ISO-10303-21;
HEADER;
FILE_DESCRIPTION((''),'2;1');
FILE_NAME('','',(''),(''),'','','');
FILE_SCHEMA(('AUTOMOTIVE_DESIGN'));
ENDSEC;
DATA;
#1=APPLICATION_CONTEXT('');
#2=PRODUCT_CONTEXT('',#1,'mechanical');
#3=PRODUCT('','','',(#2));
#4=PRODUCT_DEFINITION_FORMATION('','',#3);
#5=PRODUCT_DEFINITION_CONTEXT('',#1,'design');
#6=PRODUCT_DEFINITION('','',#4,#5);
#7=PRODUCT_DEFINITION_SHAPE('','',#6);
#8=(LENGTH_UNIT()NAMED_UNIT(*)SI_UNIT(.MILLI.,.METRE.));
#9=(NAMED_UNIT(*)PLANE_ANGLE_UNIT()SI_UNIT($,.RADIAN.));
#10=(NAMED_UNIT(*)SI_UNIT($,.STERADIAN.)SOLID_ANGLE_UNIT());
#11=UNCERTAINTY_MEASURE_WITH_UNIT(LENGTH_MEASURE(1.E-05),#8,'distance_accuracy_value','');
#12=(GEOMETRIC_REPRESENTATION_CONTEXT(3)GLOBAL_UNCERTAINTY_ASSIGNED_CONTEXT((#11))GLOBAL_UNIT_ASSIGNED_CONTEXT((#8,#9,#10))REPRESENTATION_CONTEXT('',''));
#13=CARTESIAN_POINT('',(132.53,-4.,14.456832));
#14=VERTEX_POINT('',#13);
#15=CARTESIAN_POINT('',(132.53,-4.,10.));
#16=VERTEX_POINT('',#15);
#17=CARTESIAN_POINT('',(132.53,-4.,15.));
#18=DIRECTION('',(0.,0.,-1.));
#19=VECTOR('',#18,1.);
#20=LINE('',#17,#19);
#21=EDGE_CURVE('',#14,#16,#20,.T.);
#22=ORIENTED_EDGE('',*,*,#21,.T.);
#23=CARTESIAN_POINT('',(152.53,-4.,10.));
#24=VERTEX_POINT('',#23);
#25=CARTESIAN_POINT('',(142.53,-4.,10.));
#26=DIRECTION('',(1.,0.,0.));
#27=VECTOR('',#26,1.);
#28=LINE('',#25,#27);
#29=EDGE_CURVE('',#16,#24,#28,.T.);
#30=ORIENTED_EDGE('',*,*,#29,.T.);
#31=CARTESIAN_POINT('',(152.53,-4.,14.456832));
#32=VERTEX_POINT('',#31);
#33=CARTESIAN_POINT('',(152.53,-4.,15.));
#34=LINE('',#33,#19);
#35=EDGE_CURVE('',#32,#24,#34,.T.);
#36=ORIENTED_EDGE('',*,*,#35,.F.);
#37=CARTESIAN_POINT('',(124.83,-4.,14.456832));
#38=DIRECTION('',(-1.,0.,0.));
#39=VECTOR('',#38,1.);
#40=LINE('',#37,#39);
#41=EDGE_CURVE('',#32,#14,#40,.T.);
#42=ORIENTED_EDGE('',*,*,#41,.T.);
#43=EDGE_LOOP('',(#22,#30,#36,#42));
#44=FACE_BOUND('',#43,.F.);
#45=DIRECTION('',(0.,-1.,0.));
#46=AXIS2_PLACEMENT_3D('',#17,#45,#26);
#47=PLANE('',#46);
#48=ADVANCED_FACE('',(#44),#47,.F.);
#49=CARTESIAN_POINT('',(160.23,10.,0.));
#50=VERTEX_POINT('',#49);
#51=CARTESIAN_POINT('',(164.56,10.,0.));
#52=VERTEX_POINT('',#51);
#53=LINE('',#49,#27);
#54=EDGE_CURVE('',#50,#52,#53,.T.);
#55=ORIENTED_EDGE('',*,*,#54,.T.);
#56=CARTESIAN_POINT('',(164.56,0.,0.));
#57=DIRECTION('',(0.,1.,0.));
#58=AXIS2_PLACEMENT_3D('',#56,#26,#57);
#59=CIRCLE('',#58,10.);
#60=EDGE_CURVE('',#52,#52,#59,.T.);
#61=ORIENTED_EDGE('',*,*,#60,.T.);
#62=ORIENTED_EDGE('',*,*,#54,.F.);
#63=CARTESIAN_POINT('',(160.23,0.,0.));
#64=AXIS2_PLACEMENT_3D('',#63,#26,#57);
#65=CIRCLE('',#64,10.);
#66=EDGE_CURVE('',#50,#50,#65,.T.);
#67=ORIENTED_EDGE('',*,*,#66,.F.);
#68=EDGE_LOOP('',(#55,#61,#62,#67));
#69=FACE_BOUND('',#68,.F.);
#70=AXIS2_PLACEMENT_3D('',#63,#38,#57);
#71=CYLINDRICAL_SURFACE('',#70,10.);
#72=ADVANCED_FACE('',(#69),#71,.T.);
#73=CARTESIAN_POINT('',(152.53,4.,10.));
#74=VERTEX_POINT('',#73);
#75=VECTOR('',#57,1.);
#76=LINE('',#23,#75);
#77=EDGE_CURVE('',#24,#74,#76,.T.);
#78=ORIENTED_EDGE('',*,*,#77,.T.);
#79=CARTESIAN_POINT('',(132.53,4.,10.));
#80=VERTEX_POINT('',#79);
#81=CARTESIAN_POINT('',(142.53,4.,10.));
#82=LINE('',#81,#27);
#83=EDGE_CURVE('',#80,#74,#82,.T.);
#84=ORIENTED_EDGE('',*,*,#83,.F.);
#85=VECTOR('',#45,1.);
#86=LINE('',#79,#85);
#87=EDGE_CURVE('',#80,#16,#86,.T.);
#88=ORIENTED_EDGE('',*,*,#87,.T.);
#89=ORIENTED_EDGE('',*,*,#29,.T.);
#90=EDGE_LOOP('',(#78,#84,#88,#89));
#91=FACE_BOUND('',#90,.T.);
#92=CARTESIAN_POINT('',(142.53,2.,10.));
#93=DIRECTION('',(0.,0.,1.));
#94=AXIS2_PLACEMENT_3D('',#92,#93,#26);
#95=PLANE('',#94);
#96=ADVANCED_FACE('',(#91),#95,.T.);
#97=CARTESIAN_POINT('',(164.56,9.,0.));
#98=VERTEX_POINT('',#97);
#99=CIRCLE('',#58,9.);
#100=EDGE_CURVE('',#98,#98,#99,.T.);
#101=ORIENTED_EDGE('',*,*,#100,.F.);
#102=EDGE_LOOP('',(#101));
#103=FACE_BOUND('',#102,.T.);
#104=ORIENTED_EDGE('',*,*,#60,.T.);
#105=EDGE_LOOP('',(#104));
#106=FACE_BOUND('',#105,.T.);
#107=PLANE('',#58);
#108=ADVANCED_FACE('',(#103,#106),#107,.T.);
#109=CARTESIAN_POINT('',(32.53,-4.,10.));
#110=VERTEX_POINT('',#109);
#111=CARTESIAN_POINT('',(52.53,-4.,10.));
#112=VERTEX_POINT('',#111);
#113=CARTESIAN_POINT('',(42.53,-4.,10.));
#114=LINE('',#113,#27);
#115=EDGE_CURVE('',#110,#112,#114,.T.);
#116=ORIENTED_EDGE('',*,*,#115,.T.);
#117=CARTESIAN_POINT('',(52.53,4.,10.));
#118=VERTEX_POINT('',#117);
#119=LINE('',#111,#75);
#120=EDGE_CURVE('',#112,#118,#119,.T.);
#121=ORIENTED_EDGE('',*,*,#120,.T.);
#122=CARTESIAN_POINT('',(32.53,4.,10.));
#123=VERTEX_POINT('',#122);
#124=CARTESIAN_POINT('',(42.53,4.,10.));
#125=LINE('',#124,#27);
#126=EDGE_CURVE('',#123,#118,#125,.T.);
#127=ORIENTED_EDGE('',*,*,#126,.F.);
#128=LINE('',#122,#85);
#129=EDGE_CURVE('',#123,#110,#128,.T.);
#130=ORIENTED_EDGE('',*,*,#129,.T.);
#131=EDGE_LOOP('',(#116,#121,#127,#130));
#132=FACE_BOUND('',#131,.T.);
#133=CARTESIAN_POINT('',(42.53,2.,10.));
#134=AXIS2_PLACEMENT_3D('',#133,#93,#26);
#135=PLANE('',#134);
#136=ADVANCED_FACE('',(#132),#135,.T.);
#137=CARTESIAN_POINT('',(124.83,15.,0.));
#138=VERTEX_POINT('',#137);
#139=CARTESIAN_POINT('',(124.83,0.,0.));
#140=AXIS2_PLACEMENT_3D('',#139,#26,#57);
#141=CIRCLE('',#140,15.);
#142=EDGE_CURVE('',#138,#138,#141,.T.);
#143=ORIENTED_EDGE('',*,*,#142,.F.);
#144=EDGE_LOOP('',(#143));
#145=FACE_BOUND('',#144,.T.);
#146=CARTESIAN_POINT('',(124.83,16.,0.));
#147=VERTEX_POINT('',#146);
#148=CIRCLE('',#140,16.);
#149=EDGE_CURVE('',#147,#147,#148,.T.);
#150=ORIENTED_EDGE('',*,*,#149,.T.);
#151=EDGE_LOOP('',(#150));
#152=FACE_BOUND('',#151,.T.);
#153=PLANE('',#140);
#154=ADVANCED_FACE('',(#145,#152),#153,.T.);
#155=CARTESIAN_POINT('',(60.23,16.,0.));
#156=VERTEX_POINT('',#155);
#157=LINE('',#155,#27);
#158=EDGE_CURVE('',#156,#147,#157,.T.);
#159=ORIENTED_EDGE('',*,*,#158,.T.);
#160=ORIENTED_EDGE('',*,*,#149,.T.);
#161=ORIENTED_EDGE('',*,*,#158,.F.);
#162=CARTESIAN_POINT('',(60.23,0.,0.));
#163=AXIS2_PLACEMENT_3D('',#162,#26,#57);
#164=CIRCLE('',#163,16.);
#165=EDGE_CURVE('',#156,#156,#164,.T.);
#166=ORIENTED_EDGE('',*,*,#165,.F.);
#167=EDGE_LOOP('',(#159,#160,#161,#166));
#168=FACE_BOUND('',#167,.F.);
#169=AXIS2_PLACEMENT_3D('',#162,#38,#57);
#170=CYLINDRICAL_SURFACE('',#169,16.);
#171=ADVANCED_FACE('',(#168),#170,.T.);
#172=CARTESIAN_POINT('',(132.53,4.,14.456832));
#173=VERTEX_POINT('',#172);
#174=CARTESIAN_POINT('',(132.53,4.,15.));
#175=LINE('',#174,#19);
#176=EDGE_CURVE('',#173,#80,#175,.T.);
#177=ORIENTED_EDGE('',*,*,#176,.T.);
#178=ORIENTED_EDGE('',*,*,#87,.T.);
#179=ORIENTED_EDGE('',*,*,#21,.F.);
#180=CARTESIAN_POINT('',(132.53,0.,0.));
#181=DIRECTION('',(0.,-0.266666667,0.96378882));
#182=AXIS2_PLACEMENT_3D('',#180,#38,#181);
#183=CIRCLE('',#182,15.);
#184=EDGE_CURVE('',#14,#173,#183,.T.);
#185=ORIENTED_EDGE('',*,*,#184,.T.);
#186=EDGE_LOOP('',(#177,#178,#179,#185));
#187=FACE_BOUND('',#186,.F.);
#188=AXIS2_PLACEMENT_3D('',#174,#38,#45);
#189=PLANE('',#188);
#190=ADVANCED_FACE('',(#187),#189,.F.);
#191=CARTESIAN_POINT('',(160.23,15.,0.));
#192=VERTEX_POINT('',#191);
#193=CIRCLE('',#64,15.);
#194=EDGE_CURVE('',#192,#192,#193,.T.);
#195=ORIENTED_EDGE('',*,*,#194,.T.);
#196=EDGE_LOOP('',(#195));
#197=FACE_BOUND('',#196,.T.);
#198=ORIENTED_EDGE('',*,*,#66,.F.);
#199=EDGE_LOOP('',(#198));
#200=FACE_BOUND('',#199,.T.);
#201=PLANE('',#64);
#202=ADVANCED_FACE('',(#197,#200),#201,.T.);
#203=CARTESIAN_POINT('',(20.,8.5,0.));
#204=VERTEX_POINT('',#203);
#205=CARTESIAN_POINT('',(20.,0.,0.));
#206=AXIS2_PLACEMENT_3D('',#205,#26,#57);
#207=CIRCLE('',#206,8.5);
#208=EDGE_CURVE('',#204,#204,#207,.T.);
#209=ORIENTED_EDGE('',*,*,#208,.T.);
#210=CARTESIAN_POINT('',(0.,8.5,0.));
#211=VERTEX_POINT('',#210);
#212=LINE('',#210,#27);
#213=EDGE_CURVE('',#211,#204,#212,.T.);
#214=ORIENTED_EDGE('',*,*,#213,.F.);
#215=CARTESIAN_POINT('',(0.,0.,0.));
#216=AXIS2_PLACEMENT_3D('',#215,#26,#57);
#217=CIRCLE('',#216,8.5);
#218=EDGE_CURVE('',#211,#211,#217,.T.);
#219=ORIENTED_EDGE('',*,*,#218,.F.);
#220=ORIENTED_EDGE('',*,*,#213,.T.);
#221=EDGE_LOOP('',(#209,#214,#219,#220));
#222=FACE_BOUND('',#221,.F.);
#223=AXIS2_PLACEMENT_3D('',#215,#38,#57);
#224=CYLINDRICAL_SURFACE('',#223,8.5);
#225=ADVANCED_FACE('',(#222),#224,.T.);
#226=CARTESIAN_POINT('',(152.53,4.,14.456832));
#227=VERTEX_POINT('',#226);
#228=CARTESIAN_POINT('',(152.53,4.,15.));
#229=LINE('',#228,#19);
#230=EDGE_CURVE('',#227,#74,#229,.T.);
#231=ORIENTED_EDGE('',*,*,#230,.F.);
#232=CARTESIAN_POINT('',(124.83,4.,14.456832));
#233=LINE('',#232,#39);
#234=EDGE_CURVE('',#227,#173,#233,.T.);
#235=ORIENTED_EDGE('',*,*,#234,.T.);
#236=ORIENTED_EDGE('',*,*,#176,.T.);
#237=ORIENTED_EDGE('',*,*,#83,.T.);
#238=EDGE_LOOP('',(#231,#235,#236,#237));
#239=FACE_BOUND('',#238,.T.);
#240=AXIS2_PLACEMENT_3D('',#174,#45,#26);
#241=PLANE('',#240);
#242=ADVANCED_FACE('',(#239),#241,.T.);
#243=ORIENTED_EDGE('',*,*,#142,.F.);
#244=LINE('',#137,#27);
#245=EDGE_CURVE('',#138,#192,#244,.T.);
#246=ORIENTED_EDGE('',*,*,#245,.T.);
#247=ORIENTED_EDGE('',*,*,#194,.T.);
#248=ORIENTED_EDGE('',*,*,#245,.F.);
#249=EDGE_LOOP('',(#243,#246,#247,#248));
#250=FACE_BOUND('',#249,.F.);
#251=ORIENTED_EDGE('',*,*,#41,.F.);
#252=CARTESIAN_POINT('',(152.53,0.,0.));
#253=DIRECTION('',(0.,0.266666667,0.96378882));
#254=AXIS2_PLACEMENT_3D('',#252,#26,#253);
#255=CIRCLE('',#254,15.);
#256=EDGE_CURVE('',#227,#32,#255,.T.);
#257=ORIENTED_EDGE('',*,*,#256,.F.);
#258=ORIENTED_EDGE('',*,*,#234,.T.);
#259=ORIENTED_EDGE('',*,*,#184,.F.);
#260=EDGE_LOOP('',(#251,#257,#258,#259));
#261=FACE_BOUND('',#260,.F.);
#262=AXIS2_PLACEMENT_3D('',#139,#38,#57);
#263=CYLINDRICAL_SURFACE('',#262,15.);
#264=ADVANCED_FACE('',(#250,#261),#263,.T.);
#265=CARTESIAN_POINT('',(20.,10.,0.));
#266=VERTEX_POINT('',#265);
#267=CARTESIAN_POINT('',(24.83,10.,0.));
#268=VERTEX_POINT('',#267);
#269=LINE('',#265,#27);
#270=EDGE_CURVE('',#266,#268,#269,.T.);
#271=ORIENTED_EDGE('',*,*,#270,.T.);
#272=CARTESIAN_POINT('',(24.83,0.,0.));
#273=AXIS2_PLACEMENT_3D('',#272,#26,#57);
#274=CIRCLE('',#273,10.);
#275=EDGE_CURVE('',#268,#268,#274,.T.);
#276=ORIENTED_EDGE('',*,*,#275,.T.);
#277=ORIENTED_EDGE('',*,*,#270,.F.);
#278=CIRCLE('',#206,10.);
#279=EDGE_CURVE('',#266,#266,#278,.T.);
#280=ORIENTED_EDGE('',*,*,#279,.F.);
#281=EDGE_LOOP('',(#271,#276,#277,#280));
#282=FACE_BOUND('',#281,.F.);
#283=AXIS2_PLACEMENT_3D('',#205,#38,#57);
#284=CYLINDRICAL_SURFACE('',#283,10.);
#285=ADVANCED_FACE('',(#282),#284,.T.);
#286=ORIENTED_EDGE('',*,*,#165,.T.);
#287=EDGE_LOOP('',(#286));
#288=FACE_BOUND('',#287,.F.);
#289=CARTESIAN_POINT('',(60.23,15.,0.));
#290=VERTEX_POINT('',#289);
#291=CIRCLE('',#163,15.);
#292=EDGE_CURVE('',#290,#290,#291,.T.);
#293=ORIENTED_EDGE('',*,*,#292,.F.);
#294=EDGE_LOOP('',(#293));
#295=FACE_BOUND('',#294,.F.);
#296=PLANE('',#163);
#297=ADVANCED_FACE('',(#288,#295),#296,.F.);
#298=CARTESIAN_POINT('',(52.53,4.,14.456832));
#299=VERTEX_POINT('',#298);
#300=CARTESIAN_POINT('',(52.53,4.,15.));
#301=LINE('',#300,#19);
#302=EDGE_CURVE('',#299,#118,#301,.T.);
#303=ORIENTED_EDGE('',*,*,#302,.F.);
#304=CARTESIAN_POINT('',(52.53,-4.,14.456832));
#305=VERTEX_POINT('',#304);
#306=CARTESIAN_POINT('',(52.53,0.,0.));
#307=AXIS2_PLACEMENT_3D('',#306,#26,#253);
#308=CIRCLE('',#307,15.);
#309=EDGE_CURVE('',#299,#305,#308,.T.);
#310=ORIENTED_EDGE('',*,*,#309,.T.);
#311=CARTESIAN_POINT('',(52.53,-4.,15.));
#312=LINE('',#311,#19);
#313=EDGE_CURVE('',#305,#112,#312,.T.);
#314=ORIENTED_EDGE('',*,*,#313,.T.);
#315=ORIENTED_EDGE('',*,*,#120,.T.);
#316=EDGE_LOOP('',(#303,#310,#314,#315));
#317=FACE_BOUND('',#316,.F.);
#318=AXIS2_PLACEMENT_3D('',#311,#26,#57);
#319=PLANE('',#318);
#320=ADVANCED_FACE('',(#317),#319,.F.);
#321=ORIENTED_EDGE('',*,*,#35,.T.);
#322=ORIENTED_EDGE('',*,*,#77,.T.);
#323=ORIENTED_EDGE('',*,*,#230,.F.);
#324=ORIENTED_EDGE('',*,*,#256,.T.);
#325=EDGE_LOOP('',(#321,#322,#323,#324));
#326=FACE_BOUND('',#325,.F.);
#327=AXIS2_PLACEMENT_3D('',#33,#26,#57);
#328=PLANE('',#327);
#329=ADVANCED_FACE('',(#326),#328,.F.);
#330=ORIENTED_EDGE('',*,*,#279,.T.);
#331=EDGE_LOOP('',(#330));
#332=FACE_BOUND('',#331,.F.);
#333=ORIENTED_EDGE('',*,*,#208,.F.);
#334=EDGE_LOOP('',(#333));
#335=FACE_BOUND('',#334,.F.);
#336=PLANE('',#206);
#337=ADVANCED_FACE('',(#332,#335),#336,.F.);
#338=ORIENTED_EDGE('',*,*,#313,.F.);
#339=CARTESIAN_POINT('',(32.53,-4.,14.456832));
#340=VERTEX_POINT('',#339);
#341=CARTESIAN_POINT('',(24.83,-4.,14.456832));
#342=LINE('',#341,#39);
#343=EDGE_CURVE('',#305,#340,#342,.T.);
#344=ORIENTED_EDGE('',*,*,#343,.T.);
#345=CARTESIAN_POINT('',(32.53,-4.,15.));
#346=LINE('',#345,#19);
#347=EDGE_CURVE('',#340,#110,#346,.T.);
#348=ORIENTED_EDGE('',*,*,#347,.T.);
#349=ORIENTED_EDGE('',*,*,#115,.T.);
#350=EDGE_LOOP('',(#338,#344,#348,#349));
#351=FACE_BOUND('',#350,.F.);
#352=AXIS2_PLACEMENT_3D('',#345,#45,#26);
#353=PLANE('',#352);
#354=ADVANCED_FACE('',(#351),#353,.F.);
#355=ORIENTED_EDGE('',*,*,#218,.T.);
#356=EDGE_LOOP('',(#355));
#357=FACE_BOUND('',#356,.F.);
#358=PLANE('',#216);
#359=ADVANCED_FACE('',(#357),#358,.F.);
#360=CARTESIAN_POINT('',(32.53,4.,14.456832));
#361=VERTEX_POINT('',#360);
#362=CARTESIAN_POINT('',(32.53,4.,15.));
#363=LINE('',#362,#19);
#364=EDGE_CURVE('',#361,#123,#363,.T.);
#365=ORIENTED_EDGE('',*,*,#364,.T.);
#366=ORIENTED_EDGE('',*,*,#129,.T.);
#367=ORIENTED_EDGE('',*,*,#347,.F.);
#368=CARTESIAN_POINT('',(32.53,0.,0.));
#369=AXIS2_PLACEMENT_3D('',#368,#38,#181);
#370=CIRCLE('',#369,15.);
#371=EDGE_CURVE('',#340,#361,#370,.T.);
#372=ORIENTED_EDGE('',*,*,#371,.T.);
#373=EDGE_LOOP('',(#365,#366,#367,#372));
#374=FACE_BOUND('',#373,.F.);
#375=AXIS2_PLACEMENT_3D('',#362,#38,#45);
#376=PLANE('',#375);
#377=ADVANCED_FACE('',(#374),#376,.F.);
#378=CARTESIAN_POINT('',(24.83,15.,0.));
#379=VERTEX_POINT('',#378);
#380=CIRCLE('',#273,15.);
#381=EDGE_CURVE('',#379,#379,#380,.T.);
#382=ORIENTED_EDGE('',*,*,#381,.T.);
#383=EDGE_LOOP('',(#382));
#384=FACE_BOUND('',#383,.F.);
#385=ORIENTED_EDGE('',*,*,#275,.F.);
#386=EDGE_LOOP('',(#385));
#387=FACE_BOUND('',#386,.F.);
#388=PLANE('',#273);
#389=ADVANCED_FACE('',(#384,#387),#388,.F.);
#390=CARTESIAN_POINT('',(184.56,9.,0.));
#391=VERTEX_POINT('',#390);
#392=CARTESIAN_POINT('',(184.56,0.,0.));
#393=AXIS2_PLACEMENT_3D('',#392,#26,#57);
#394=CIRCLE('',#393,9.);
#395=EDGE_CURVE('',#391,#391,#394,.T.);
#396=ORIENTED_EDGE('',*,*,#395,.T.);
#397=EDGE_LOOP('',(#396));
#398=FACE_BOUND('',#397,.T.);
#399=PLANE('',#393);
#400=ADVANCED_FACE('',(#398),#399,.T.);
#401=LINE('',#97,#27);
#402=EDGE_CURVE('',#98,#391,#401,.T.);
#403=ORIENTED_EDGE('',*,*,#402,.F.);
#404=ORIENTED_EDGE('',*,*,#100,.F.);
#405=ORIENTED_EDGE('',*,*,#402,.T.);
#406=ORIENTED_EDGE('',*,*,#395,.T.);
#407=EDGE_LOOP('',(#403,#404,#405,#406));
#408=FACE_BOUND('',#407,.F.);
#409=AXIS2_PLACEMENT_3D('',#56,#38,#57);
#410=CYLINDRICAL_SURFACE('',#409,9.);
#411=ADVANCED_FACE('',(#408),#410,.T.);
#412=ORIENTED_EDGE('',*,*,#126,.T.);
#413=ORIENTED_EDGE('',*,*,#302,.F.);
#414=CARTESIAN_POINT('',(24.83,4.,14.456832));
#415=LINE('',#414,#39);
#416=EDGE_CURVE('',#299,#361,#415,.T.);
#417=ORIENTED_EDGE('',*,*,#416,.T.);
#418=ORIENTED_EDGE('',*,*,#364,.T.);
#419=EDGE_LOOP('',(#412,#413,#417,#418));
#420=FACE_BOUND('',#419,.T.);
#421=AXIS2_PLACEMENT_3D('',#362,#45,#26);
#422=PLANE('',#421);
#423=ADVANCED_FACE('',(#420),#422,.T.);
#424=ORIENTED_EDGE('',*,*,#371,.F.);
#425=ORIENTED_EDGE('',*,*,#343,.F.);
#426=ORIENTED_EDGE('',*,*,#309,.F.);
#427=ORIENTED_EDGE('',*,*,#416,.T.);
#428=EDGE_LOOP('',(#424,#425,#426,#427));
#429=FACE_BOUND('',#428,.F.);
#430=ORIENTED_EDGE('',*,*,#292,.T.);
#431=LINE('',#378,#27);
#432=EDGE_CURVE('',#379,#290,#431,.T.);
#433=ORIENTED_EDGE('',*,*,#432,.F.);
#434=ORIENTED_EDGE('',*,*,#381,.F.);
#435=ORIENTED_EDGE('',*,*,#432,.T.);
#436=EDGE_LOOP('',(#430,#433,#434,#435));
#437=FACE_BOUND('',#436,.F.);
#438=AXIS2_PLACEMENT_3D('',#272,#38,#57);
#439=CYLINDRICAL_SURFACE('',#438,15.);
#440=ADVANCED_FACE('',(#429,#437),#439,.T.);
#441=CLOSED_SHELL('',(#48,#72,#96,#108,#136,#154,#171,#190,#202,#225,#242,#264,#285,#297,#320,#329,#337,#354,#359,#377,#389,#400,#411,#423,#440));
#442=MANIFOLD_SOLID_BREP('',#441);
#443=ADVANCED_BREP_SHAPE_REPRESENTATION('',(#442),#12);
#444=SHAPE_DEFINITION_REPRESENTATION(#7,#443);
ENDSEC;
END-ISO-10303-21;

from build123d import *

# Parameters (mm, degrees)
F0_R      = 8.5
F1_DEPTH  = 20
F2_R      = 10
F3_DEPTH  = 4.83
F4_R      = 15
F5_DEPTH  = 35.4
F6_R      = 16
F7_DEPTH  = 64.6
F8_R      = 15
F9_DEPTH  = 35.4
F10_R     = 10
F11_DEPTH = 4.33
F12_R     = 9
F13_DEPTH = 20
F15_W     = 20
F15_H     = 4
F16_DEPTH = 5


with BuildPart() as f1:
    # F0 (on Right) → F1 (new body)
    with BuildSketch(Plane.YZ):
        Circle(F0_R)
    extrude(amount=F1_DEPTH)

    # F2 (on face) → F3 (join)
    with BuildSketch(Plane.YZ.offset(20)):
        Circle(F2_R)
    extrude(amount=F3_DEPTH)

    # F4 (on face) → F5 (join)
    with BuildSketch(Plane.YZ.offset(24.83)):
        Circle(F4_R)
    extrude(amount=F5_DEPTH)

    # F6 (on face) → F7 (join)
    with BuildSketch(Plane.YZ.offset(60.23)):
        Circle(F6_R)
    extrude(amount=F7_DEPTH)

    # F8 (on face) → F9 (join)
    with BuildSketch(Plane.YZ.offset(124.83)):
        Circle(F8_R)
    extrude(amount=F9_DEPTH)

    # F10 (on face) → F11 (join)
    with BuildSketch(Plane.YZ.offset(160.23)):
        Circle(F10_R)
    extrude(amount=F11_DEPTH)

    # F12 (on face) → F13 (join)
    with BuildSketch(Plane.YZ.offset(164.56)):
        Circle(F12_R)
    extrude(amount=F13_DEPTH)

    # F15 (on offset) → F16 (cut)
    with BuildSketch(Plane.XY.offset(15)):
        with Locations((42.53, 2)):
            Rectangle(F15_W, F15_H)
        with Locations((42.53, -2)):
            Rectangle(F15_W, F15_H)
        with Locations((142.53, 2)):
            Rectangle(F15_W, F15_H)
        with Locations((142.53, -2)):
            Rectangle(F15_W, F15_H)
    extrude(amount=-F16_DEPTH, mode=Mode.SUBTRACT)


solid = f1.part
